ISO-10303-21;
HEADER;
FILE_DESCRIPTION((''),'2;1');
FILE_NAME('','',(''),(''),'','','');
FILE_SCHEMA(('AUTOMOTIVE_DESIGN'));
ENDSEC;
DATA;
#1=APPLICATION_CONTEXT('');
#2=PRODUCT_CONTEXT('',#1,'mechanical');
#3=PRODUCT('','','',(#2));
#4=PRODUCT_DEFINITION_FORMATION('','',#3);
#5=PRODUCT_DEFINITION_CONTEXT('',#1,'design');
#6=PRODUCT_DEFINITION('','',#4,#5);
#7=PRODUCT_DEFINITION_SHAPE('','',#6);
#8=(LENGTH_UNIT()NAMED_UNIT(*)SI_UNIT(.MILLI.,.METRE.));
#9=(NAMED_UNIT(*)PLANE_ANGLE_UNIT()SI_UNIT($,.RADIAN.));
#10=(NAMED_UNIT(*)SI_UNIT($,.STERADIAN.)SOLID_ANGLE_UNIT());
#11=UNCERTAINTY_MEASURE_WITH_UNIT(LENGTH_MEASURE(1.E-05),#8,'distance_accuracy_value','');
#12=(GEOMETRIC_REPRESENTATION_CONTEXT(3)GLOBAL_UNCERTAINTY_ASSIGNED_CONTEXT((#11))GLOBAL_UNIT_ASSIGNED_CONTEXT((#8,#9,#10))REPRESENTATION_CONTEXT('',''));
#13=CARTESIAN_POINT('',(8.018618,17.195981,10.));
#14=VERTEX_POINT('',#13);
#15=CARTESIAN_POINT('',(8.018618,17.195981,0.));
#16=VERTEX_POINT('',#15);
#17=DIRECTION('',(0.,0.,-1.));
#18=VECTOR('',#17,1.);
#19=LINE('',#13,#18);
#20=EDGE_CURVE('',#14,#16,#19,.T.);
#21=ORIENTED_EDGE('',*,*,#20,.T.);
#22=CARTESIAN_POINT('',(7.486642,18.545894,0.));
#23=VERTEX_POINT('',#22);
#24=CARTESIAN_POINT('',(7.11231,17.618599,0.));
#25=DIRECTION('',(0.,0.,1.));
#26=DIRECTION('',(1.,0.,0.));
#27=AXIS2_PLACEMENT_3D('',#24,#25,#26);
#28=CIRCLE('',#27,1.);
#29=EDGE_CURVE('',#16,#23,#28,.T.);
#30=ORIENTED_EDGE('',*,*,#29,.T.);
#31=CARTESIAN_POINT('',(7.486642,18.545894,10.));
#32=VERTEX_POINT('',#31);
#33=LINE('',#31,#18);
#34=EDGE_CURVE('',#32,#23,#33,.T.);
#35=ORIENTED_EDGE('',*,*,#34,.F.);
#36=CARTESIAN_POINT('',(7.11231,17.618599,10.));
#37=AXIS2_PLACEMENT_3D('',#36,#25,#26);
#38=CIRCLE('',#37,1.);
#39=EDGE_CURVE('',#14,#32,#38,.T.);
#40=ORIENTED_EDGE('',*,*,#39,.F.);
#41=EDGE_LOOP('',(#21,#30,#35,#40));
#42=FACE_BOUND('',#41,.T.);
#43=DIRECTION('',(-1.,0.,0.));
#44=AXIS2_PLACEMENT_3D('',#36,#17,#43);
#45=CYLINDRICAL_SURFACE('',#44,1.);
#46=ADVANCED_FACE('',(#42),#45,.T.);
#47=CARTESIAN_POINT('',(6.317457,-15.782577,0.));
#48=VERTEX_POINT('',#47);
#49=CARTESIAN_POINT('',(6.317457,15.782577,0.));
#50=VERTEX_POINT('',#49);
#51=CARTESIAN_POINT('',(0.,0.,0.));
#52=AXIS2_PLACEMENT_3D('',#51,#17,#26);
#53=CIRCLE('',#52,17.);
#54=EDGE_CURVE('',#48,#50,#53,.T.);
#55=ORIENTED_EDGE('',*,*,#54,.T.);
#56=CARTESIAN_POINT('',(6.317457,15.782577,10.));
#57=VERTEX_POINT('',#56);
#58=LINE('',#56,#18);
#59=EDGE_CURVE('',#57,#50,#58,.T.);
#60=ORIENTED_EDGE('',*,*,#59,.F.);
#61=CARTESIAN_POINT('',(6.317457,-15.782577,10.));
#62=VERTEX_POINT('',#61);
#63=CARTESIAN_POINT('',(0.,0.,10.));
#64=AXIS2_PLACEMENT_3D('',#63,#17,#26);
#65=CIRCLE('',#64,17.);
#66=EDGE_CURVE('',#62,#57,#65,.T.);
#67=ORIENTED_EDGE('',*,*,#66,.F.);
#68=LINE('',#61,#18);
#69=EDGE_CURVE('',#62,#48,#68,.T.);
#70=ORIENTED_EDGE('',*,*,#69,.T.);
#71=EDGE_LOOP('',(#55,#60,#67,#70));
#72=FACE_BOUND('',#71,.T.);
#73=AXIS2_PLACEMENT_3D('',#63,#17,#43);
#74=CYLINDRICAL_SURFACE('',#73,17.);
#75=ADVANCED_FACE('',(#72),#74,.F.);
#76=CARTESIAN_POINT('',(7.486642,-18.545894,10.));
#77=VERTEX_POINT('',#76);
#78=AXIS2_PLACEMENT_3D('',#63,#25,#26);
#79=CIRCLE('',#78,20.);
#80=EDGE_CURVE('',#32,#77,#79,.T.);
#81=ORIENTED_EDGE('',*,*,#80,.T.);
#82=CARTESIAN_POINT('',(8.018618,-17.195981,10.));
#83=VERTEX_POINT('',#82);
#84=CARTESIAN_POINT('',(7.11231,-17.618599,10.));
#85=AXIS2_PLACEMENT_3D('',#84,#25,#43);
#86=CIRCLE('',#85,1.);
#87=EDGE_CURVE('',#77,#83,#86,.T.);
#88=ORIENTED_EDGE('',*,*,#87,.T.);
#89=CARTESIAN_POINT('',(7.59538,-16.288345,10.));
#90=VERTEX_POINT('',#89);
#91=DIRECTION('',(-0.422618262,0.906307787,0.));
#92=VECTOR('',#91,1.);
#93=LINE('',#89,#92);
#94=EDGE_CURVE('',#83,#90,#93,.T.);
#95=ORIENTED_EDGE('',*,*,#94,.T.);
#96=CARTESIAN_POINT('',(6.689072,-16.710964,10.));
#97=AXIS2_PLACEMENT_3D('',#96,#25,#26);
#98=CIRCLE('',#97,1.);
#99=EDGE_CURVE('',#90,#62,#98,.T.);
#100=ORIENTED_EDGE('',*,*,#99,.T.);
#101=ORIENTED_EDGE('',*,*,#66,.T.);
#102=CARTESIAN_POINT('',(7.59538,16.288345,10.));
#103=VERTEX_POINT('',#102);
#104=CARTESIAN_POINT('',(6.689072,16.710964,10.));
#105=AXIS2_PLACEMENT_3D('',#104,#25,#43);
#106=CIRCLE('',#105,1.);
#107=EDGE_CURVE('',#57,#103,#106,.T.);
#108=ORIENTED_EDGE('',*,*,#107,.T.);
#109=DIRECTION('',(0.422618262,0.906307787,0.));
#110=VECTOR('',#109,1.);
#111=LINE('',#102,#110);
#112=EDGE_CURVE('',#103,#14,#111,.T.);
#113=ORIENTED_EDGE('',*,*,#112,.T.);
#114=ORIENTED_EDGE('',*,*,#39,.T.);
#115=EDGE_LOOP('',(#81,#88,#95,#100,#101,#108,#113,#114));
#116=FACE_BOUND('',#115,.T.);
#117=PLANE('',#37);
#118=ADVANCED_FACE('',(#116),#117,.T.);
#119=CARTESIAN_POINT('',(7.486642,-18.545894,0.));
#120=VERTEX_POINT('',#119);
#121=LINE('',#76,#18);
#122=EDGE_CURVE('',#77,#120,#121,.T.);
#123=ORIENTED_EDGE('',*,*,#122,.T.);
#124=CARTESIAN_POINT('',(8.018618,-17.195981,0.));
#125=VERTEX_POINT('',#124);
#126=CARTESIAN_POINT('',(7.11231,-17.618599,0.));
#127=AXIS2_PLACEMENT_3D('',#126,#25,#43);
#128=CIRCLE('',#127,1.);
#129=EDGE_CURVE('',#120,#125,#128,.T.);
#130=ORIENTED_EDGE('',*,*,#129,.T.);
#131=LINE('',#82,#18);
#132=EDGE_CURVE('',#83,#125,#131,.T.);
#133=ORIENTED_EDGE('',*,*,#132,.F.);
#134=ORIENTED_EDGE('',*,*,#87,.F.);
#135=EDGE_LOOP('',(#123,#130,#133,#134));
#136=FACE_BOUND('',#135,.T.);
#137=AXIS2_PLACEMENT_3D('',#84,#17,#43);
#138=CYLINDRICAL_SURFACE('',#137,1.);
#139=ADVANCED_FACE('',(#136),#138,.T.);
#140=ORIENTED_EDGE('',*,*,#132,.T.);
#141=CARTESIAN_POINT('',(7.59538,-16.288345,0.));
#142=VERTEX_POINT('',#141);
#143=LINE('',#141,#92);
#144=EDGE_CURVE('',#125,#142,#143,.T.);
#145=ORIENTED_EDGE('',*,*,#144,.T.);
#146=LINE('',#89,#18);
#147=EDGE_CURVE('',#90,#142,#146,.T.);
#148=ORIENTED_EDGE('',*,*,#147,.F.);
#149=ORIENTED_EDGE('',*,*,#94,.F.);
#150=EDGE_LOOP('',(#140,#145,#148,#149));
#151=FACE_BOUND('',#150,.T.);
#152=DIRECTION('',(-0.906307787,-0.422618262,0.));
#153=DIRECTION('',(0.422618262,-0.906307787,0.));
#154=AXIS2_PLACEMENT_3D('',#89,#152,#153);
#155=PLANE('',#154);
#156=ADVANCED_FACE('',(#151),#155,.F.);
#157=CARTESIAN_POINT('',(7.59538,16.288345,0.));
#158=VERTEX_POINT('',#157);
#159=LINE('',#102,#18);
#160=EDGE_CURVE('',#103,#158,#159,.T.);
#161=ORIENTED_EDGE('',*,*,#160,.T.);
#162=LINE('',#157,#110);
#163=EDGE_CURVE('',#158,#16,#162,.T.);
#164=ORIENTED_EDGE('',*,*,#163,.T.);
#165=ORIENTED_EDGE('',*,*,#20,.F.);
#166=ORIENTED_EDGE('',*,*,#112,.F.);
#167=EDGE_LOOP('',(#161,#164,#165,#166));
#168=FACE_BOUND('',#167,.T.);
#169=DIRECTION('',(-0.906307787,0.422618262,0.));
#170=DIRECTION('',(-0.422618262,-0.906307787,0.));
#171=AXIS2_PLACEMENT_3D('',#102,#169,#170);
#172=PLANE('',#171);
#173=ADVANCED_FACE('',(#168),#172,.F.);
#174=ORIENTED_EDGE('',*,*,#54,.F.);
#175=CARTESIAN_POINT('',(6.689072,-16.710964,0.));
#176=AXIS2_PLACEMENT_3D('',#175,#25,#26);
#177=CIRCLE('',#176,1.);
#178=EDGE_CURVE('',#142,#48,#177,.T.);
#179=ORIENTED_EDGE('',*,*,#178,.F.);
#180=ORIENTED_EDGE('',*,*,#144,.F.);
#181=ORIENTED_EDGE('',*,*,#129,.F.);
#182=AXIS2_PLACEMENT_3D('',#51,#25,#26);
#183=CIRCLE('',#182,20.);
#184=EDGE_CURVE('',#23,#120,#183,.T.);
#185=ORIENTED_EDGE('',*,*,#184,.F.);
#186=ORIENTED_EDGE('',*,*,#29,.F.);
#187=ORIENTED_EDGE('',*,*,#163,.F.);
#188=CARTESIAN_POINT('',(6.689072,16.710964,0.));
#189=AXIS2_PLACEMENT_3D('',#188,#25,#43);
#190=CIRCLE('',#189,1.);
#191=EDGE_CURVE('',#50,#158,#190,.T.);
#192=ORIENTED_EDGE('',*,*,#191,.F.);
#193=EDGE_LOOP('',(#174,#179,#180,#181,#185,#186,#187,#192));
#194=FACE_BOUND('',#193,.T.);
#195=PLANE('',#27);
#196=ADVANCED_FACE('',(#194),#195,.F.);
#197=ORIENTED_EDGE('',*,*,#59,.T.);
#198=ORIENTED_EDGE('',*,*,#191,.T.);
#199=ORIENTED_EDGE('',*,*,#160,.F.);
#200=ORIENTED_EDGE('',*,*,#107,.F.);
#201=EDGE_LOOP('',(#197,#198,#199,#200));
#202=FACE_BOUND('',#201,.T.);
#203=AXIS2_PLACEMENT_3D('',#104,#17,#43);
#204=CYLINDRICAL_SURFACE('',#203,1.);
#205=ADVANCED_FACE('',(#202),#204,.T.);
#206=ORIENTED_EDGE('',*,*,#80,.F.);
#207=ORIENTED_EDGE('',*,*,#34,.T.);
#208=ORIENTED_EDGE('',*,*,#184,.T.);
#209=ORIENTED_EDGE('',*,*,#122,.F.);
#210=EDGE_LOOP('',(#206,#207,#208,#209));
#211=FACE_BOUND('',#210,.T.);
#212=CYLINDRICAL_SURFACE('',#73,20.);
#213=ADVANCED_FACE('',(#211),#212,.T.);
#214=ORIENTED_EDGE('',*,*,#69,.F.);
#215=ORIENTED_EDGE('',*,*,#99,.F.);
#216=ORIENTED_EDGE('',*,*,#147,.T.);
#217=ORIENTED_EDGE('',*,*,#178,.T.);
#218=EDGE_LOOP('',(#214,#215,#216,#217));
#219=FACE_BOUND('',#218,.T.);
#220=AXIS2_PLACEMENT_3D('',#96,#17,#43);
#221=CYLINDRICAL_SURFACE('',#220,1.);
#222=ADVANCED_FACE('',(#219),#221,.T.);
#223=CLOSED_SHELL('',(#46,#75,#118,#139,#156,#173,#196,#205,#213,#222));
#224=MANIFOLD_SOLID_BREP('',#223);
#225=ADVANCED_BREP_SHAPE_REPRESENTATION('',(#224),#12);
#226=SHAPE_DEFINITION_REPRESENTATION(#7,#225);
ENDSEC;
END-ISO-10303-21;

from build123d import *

# Parameters (mm, degrees)
BOSS_EXTRUDE1_DEPTH = 10


with BuildPart() as part:
    # Sketch1 → Boss-Extrude1 (new body)
    with BuildSketch(Plane.XY):
        with BuildLine():
            Line((7.595380243, 16.288345495), (8.018617727, 17.195981209))
            ThreePointArc((8.018617727, 17.195981209), (8.04267325, 17.98523841), (7.486642042, 18.54589418))
            ThreePointArc((7.486642042, 18.54589418), (-20, 0), (7.486642042, -18.54589418))
            ThreePointArc((7.486642042, -18.54589418), (8.04267325, -17.98523841), (8.018617727, -17.195981209))
            Line((8.018617727, -17.195981209), (7.595380243, -16.288345495))
            ThreePointArc((7.595380243, -16.288345495), (7.057073176, -15.781138252), (6.31745732, -15.782576881))
            ThreePointArc((6.31745732, -15.782576881), (-17, 0), (6.31745732, 15.782576881))
            ThreePointArc((6.31745732, 15.782576881), (7.057073176, 15.781138252), (7.595380243, 16.288345495))
        make_face()
    extrude(amount=BOSS_EXTRUDE1_DEPTH)


solid = part.part
